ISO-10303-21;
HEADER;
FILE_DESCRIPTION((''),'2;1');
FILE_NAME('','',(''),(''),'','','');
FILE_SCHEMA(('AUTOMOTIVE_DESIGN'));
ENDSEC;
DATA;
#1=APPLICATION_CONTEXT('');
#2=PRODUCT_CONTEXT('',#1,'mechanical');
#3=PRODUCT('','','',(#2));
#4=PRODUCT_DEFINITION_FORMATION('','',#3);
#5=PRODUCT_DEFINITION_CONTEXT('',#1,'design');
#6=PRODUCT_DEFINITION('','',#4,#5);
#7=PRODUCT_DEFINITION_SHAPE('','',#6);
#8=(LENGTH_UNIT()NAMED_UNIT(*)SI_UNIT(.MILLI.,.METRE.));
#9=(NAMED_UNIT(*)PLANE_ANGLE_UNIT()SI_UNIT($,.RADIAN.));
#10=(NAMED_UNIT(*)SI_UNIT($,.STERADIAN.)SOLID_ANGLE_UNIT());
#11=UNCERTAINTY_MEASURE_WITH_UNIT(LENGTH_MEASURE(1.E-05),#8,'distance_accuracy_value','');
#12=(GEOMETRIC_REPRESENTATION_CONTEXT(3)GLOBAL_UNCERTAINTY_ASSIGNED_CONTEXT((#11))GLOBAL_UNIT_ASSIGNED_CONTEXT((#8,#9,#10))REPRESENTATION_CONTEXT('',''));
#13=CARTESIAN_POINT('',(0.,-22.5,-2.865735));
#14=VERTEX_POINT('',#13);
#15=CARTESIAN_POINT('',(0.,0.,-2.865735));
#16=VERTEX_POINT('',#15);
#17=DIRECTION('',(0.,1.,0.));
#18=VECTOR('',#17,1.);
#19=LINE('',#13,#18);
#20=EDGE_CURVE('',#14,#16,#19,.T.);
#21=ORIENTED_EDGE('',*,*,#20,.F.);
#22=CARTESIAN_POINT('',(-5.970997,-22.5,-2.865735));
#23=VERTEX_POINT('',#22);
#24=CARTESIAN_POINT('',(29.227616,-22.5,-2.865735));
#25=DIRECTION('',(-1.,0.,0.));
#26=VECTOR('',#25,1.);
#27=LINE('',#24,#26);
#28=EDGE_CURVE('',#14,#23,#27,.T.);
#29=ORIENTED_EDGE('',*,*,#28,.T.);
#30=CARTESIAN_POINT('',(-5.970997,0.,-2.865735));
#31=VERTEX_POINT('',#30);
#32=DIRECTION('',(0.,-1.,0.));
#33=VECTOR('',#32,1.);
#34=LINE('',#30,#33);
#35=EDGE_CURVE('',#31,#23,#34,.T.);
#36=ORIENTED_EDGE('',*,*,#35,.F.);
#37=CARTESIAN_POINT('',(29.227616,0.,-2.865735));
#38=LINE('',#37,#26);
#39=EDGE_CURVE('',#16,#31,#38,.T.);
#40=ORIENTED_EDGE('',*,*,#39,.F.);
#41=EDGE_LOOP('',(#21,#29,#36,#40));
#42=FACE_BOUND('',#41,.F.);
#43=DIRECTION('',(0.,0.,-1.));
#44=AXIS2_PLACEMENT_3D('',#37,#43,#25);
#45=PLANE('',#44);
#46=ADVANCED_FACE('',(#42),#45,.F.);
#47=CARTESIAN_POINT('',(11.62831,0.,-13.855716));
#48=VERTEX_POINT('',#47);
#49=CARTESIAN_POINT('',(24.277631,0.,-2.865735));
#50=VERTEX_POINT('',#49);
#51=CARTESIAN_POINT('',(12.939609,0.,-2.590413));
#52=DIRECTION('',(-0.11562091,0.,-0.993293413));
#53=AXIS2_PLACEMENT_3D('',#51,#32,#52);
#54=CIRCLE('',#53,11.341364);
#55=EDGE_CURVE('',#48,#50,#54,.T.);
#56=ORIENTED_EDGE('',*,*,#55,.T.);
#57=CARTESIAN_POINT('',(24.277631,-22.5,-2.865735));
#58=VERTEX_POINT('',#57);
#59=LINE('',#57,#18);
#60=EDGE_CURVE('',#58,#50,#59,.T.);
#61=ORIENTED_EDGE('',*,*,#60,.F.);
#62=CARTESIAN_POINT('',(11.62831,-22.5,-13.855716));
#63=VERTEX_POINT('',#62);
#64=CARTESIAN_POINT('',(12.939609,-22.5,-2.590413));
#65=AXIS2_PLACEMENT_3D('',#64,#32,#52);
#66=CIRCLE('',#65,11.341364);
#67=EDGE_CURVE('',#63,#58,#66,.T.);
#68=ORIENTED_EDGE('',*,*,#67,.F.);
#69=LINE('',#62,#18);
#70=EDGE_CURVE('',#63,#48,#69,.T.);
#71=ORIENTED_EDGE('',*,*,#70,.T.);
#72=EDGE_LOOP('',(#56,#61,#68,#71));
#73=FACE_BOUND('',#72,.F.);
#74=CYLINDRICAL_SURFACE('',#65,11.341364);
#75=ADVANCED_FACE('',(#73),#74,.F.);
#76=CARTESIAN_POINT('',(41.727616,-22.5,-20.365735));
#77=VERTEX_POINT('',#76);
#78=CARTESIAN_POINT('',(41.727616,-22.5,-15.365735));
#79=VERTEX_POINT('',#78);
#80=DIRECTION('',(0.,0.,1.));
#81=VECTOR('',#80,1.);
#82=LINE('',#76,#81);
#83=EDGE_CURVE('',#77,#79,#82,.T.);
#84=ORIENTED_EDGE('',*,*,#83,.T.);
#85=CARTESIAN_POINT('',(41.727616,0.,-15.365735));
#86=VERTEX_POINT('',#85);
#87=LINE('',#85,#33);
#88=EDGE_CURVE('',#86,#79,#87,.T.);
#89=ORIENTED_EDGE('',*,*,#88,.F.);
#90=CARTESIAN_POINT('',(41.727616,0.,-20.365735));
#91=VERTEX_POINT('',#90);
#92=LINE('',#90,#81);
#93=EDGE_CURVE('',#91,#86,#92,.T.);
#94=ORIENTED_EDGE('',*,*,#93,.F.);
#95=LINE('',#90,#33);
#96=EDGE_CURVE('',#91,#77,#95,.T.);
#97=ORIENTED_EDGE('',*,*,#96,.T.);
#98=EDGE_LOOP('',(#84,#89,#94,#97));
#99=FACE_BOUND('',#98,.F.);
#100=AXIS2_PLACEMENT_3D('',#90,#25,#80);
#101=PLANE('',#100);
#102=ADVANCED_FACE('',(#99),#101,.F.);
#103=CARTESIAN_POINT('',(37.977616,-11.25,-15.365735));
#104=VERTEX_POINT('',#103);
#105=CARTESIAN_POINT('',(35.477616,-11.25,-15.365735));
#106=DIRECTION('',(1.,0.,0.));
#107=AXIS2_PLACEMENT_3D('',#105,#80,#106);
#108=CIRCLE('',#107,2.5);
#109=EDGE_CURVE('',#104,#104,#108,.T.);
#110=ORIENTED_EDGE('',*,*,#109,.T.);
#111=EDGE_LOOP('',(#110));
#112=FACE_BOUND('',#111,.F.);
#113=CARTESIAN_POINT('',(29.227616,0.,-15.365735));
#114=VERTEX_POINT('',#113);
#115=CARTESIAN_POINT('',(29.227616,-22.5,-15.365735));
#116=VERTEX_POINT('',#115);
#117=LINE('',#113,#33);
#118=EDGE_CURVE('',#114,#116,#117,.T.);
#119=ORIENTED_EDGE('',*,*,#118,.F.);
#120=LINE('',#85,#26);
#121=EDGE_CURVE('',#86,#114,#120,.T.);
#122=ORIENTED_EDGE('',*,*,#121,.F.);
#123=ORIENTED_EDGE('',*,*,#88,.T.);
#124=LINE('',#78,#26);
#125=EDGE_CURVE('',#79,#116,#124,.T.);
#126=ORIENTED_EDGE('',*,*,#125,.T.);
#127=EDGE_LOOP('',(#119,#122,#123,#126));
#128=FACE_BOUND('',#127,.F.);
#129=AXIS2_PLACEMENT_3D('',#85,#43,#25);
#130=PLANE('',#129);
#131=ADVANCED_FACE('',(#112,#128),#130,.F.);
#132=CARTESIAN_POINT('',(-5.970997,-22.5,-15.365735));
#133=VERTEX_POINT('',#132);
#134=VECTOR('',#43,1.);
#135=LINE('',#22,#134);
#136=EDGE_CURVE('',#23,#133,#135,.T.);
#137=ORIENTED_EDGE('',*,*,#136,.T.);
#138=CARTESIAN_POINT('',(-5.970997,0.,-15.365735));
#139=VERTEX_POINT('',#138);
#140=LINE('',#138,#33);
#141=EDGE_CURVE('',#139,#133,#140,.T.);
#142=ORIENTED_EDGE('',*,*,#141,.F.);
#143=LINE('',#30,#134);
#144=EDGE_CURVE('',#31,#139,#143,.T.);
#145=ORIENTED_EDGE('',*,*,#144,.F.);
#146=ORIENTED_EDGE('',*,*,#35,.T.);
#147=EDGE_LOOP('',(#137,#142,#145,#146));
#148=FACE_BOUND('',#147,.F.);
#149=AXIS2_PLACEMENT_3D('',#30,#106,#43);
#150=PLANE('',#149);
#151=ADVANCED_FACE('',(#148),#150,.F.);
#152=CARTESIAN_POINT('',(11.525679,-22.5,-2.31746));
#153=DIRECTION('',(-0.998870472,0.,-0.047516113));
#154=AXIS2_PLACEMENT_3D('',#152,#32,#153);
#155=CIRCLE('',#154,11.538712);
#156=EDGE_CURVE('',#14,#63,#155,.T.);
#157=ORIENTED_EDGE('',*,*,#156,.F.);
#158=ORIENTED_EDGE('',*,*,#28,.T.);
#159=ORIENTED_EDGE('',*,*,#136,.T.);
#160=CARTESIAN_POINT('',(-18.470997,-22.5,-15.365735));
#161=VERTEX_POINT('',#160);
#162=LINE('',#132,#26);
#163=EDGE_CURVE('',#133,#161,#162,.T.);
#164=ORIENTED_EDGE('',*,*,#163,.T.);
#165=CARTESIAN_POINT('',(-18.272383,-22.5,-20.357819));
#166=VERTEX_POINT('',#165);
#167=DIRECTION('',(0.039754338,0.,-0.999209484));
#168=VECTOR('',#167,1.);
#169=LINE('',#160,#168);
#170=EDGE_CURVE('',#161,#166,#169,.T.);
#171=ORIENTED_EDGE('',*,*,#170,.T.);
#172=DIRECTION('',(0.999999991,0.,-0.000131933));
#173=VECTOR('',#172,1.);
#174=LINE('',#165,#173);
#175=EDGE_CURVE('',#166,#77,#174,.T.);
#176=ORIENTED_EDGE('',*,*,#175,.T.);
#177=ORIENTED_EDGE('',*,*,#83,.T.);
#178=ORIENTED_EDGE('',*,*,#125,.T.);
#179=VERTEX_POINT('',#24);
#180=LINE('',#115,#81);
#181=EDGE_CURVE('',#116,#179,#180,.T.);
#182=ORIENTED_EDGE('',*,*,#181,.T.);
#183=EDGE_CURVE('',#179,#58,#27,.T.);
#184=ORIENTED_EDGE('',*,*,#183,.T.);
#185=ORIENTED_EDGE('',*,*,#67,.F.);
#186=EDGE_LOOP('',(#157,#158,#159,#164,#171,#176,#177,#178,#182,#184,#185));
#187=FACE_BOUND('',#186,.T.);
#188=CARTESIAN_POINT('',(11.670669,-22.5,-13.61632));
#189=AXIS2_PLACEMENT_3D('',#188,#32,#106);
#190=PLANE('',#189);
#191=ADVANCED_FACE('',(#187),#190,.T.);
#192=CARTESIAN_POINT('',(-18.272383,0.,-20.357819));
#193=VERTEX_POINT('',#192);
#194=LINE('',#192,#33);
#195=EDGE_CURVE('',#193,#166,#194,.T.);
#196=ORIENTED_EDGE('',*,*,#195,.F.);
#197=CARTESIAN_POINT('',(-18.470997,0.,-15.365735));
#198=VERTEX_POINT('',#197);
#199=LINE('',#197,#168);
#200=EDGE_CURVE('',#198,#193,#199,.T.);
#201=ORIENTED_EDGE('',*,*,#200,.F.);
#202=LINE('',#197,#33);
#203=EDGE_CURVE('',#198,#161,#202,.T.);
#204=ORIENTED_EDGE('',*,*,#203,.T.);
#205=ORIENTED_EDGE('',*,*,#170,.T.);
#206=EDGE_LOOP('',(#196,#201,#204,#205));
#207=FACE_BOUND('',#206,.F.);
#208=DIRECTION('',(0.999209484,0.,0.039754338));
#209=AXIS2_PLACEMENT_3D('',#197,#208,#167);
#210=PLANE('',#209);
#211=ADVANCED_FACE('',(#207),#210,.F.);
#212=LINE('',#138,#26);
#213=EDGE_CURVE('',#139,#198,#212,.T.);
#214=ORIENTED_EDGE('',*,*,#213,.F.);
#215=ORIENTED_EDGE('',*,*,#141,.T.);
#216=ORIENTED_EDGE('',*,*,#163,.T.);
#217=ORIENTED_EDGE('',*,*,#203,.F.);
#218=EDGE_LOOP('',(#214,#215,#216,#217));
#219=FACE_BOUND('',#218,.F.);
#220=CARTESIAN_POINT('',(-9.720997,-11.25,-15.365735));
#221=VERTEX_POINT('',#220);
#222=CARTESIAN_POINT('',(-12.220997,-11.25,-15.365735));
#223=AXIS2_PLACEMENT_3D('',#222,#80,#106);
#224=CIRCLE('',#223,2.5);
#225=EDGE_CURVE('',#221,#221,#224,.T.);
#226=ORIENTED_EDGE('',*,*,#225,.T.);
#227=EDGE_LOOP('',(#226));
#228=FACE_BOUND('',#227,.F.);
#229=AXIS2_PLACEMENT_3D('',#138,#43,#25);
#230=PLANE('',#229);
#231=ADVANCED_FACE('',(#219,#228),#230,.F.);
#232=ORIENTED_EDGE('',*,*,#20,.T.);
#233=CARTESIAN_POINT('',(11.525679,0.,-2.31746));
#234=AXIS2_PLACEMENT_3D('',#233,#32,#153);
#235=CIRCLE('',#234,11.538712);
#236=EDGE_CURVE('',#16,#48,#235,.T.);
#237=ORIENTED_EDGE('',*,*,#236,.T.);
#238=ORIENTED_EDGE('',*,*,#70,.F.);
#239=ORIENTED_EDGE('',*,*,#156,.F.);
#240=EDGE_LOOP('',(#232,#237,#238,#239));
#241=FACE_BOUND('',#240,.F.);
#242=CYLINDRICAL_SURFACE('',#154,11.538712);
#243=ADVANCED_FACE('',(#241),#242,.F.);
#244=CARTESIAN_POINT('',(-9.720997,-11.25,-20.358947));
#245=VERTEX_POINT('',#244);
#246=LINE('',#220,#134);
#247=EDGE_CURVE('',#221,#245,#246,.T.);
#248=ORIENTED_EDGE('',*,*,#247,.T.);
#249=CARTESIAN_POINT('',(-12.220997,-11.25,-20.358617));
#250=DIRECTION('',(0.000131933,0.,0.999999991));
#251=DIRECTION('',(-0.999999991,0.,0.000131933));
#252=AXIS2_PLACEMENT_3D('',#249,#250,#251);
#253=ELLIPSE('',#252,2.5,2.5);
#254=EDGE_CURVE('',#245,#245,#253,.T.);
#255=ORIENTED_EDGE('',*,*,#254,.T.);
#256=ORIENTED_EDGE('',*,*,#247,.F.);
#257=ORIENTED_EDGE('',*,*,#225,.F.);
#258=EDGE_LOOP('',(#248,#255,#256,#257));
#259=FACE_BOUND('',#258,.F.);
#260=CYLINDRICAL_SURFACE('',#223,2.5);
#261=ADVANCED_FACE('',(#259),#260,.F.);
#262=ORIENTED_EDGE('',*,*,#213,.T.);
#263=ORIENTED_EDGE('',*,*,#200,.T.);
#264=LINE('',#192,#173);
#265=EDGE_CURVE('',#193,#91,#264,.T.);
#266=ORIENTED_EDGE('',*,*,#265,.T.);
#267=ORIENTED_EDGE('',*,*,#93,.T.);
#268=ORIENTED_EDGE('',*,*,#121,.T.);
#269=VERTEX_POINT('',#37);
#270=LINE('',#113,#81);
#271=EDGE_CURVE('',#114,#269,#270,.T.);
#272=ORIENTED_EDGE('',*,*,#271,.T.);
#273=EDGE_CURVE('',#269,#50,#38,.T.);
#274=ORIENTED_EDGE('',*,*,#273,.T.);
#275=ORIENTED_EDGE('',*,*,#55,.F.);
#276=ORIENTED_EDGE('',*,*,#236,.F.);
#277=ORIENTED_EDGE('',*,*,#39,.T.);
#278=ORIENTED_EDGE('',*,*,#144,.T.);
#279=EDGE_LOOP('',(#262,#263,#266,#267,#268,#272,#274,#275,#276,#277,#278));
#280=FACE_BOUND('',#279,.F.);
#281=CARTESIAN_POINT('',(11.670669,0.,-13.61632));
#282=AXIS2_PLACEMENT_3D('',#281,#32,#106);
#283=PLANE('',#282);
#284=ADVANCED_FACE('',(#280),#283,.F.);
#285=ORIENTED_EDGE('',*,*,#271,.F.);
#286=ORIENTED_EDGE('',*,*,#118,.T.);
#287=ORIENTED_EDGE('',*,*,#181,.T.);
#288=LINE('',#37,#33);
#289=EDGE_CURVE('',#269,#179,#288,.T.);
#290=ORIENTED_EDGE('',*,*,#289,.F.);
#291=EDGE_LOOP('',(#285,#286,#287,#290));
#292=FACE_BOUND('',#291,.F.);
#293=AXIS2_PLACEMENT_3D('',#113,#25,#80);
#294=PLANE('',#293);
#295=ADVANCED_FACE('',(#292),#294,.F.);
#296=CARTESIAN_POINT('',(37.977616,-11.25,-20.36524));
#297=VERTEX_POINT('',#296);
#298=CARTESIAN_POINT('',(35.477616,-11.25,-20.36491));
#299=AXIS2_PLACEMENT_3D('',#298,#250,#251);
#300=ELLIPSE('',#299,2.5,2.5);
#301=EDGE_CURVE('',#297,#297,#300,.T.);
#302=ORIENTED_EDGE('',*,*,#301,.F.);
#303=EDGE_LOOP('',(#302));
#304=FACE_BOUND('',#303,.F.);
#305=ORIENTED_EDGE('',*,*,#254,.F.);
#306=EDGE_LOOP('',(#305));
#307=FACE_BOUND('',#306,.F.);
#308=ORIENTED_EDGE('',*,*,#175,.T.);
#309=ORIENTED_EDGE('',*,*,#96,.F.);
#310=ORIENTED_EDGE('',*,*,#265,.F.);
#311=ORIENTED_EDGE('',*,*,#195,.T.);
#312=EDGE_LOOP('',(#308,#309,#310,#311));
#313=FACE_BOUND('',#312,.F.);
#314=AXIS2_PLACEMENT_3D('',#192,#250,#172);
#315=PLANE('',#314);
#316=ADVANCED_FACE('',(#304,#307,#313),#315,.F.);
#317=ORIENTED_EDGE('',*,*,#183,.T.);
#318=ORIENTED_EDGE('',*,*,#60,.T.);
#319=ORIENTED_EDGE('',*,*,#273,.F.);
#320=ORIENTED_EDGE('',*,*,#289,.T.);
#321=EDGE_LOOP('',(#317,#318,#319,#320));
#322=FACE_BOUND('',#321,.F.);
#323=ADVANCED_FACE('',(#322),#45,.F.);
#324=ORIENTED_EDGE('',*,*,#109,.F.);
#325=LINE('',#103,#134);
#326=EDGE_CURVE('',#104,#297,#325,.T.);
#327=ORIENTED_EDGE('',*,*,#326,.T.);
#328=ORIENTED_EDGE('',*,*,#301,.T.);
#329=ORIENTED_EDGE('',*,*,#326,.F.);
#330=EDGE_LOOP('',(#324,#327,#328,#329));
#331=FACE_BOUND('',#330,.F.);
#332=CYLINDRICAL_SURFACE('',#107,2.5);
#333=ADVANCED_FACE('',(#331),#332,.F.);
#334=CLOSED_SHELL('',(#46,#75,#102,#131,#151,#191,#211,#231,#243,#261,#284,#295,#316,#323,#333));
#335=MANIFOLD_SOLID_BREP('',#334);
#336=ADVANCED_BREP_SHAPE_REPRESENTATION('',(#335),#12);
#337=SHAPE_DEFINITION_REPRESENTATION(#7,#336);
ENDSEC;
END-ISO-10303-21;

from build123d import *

# Parameters (mm, degrees)
F1_DEPTH = 22.5
F2_R     = 2.5
F3_DEPTH = 5.001
F4_R     = 2.5
F5_DEPTH = 5.001
F7_DEPTH = 22.501


with BuildPart() as f1:
    # F0 (on Front) → F1 (new body)
    with BuildSketch(Plane.XZ):
        Polygon((-18.470997, -15.365735), (-18.272383, -20.357819), (41.727616, -20.365735), (41.727616, -15.365735), (29.227616, -15.365735), (29.227616, -2.865735), (-5.970997, -2.865735), (-5.970997, -15.365735), align=None)
    extrude(amount=F1_DEPTH)

    # F2 (on face) → F3 (cut, through all)
    with BuildSketch(Plane.XY.offset(-15.365735)):
        with Locations((35.477616, -11.25)):
            Circle(F2_R)
    extrude(amount=-F3_DEPTH, mode=Mode.SUBTRACT)

    # F4 (on face) → F5 (cut, through all)
    with BuildSketch(Plane.XY.offset(-15.365735)):
        with Locations((-12.220997, -11.25)):
            Circle(F4_R)
    extrude(amount=-F5_DEPTH, mode=Mode.SUBTRACT)

    # F6 (on face) → F7 (cut, through all)
    with BuildSketch(Plane.XZ.offset(22.5)):
        with BuildLine():
            ThreePointArc((0, -2.865735), (3.599998, -10.703488), (11.62831, -13.855716))
            ThreePointArc((11.62831, -13.855716), (20.377936, -11.151829), (24.277631, -2.865735))
            Line((24.277631, -2.865735), (11.62831, -2.865735))
            Line((11.62831, -2.865735), (0, -2.865735))
        make_face()
    extrude(amount=-F7_DEPTH, mode=Mode.SUBTRACT)


solid = f1.part
